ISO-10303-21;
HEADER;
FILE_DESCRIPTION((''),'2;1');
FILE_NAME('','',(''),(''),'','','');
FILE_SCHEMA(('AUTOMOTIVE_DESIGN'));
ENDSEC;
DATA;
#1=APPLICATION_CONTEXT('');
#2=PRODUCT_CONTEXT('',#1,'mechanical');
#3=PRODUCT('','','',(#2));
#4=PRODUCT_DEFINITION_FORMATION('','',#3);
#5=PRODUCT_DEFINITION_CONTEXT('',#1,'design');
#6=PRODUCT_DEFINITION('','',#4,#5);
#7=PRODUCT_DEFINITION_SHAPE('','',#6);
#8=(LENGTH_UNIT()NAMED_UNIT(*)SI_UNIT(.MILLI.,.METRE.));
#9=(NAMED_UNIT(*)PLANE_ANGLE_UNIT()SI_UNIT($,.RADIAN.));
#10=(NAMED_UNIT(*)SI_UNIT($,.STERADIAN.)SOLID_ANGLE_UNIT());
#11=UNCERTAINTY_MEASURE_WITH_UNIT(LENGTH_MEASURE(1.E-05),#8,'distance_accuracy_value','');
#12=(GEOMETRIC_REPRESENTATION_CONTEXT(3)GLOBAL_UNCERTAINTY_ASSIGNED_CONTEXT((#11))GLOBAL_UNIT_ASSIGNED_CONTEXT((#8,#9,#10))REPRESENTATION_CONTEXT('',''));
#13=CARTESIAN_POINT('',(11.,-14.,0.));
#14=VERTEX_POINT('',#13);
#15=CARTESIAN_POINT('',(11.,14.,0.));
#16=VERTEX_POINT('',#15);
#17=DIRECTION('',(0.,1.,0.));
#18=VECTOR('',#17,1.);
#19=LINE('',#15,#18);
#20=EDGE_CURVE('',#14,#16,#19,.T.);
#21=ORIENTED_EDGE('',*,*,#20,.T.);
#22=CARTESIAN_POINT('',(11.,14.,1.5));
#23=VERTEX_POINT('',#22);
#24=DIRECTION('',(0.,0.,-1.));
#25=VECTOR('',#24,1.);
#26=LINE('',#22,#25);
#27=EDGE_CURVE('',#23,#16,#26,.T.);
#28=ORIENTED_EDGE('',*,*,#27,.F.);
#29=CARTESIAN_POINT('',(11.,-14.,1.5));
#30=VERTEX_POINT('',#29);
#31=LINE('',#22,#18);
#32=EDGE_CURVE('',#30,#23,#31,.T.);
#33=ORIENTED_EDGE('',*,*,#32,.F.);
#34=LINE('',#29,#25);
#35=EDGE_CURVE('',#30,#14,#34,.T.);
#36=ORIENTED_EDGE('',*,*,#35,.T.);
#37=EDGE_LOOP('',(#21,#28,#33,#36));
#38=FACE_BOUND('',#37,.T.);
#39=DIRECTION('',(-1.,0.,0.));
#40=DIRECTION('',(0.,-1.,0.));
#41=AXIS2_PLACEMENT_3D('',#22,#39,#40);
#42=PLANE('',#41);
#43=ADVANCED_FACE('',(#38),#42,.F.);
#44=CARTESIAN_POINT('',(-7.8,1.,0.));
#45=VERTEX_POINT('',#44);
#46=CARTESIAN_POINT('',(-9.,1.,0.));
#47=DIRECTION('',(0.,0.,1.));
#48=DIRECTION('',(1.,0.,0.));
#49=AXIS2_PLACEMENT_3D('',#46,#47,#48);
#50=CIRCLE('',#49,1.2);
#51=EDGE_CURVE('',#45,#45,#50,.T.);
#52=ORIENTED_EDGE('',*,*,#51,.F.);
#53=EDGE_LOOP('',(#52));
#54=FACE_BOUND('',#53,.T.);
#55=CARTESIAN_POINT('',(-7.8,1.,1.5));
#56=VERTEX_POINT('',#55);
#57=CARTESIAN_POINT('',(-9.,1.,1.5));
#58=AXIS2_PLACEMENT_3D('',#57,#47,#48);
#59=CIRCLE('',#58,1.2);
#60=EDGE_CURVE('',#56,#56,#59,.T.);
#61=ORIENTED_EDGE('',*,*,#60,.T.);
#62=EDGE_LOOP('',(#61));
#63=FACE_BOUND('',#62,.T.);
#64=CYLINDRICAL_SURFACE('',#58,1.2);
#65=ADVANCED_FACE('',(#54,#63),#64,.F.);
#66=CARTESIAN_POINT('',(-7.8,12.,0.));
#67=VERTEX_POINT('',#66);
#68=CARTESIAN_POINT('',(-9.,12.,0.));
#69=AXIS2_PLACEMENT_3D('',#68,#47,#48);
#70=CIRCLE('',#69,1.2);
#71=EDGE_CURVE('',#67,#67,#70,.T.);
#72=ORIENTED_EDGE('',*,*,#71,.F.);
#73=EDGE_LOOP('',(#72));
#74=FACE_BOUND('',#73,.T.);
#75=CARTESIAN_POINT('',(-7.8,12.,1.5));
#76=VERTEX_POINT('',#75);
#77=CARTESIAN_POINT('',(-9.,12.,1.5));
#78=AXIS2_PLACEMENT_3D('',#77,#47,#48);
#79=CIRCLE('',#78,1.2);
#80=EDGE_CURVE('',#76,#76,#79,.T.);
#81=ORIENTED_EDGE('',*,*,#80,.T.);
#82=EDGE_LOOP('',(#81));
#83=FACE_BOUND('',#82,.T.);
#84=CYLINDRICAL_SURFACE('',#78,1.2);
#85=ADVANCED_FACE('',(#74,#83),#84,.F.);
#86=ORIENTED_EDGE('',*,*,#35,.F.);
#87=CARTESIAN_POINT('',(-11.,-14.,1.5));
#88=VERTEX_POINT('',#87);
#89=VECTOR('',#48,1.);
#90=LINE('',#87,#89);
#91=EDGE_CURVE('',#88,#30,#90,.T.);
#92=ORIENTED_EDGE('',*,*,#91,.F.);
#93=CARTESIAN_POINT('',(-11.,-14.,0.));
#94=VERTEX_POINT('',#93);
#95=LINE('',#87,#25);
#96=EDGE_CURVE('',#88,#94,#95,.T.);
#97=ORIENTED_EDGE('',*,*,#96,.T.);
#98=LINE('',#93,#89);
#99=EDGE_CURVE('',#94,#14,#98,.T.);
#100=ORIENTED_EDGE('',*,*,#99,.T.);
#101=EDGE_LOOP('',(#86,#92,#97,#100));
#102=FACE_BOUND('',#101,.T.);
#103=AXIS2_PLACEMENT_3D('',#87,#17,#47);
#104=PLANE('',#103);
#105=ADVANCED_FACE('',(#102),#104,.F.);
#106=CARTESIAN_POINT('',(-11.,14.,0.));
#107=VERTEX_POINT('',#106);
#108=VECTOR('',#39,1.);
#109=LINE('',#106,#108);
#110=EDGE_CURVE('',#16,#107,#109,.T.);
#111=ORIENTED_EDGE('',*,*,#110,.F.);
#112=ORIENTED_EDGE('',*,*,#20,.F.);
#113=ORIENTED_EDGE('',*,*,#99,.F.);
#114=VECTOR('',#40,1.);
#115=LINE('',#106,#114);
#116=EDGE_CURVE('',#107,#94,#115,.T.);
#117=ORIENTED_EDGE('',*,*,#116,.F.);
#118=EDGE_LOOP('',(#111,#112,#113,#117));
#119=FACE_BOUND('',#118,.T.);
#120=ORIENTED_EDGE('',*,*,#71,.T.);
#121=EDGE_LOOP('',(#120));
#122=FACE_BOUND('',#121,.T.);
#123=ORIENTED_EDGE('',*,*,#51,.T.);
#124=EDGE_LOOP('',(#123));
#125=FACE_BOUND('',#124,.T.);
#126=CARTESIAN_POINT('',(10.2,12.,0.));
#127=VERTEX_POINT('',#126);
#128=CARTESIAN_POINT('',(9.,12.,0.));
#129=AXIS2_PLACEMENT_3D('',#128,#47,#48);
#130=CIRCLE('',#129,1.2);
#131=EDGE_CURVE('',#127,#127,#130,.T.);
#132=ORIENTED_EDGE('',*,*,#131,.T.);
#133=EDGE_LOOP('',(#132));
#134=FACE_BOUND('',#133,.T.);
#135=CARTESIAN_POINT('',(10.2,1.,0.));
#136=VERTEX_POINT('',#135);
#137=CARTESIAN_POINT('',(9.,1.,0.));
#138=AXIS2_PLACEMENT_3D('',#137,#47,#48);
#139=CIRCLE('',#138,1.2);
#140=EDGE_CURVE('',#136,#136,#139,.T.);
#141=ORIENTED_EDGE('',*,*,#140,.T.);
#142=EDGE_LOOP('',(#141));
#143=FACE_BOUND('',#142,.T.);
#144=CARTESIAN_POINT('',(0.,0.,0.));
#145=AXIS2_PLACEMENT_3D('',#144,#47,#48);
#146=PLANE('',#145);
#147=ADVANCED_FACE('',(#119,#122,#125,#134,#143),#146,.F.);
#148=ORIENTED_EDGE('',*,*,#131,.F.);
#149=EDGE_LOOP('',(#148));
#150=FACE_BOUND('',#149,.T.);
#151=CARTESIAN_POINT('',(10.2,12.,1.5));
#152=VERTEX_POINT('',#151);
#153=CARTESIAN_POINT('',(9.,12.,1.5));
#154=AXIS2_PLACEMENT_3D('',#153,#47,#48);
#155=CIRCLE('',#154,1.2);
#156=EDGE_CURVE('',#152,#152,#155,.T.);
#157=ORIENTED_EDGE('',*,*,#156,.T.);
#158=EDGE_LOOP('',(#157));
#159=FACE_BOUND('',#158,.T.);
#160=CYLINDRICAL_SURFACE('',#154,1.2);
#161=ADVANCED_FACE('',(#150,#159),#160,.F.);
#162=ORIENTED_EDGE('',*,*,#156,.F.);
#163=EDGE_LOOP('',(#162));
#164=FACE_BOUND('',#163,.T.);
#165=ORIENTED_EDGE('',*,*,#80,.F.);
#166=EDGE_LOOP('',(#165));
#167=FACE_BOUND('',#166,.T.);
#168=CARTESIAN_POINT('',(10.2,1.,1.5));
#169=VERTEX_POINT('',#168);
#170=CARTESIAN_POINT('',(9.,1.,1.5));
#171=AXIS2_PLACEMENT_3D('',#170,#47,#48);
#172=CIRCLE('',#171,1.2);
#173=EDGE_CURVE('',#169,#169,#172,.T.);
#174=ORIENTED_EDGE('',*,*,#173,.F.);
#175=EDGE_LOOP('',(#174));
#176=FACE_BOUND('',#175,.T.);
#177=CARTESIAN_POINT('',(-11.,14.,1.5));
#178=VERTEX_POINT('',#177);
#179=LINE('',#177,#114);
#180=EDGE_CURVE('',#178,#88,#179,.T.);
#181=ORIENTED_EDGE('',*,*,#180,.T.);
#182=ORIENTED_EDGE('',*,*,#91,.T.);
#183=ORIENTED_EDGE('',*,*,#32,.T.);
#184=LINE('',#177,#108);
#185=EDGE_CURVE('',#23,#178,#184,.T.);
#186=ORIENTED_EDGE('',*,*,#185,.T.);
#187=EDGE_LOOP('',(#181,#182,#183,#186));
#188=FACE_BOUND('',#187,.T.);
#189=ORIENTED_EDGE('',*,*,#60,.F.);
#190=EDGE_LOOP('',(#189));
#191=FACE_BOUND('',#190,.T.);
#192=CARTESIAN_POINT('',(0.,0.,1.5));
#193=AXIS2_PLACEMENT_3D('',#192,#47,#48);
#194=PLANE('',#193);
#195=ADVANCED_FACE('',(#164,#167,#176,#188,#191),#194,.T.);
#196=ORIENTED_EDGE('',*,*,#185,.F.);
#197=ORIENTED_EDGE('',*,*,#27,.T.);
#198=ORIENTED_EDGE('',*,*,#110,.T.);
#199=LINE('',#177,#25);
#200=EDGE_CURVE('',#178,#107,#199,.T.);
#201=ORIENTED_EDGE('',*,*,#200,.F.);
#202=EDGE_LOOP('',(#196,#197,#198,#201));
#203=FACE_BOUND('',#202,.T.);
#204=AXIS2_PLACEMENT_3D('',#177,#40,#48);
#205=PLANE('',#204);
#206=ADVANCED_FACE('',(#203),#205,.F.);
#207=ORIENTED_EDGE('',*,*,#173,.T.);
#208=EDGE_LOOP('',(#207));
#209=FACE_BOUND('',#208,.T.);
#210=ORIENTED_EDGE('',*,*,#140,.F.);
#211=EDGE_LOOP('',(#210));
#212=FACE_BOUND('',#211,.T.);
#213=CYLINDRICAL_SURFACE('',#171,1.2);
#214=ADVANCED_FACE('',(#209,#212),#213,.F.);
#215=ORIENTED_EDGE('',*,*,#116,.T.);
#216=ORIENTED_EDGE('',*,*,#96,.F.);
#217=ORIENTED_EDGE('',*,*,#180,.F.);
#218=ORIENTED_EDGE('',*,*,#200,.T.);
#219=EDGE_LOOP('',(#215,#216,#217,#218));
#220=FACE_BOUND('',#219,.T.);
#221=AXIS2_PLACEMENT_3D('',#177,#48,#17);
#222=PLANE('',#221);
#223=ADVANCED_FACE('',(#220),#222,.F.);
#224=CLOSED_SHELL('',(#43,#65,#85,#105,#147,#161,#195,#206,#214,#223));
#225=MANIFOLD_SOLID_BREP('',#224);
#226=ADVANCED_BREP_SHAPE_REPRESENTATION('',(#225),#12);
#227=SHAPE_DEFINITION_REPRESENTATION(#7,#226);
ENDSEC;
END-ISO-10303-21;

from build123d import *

# Parameters (mm, degrees)
SKETCH_1_W         = 22
SKETCH_1_H         = 28
EXTRUDE_1_DEPTH    = 1.5
HOLE_WIZARD_M2_1_D = 2.4


with BuildPart() as part:
    # ｽｹｯﾁ1 → ﾎﾞｽ - 押し出し1 (new body)
    with BuildSketch(Plane.XY):
        Rectangle(SKETCH_1_W, SKETCH_1_H)
    extrude(amount=EXTRUDE_1_DEPTH)

    # M2 すきま穴1 (through all)
    with Locations(Plane.XY.offset(1.5)):
        with Locations((-9, 12), (9, 12), (-9, 1), (9, 1)):
            Hole(HOLE_WIZARD_M2_1_D / 2)


solid = part.part
